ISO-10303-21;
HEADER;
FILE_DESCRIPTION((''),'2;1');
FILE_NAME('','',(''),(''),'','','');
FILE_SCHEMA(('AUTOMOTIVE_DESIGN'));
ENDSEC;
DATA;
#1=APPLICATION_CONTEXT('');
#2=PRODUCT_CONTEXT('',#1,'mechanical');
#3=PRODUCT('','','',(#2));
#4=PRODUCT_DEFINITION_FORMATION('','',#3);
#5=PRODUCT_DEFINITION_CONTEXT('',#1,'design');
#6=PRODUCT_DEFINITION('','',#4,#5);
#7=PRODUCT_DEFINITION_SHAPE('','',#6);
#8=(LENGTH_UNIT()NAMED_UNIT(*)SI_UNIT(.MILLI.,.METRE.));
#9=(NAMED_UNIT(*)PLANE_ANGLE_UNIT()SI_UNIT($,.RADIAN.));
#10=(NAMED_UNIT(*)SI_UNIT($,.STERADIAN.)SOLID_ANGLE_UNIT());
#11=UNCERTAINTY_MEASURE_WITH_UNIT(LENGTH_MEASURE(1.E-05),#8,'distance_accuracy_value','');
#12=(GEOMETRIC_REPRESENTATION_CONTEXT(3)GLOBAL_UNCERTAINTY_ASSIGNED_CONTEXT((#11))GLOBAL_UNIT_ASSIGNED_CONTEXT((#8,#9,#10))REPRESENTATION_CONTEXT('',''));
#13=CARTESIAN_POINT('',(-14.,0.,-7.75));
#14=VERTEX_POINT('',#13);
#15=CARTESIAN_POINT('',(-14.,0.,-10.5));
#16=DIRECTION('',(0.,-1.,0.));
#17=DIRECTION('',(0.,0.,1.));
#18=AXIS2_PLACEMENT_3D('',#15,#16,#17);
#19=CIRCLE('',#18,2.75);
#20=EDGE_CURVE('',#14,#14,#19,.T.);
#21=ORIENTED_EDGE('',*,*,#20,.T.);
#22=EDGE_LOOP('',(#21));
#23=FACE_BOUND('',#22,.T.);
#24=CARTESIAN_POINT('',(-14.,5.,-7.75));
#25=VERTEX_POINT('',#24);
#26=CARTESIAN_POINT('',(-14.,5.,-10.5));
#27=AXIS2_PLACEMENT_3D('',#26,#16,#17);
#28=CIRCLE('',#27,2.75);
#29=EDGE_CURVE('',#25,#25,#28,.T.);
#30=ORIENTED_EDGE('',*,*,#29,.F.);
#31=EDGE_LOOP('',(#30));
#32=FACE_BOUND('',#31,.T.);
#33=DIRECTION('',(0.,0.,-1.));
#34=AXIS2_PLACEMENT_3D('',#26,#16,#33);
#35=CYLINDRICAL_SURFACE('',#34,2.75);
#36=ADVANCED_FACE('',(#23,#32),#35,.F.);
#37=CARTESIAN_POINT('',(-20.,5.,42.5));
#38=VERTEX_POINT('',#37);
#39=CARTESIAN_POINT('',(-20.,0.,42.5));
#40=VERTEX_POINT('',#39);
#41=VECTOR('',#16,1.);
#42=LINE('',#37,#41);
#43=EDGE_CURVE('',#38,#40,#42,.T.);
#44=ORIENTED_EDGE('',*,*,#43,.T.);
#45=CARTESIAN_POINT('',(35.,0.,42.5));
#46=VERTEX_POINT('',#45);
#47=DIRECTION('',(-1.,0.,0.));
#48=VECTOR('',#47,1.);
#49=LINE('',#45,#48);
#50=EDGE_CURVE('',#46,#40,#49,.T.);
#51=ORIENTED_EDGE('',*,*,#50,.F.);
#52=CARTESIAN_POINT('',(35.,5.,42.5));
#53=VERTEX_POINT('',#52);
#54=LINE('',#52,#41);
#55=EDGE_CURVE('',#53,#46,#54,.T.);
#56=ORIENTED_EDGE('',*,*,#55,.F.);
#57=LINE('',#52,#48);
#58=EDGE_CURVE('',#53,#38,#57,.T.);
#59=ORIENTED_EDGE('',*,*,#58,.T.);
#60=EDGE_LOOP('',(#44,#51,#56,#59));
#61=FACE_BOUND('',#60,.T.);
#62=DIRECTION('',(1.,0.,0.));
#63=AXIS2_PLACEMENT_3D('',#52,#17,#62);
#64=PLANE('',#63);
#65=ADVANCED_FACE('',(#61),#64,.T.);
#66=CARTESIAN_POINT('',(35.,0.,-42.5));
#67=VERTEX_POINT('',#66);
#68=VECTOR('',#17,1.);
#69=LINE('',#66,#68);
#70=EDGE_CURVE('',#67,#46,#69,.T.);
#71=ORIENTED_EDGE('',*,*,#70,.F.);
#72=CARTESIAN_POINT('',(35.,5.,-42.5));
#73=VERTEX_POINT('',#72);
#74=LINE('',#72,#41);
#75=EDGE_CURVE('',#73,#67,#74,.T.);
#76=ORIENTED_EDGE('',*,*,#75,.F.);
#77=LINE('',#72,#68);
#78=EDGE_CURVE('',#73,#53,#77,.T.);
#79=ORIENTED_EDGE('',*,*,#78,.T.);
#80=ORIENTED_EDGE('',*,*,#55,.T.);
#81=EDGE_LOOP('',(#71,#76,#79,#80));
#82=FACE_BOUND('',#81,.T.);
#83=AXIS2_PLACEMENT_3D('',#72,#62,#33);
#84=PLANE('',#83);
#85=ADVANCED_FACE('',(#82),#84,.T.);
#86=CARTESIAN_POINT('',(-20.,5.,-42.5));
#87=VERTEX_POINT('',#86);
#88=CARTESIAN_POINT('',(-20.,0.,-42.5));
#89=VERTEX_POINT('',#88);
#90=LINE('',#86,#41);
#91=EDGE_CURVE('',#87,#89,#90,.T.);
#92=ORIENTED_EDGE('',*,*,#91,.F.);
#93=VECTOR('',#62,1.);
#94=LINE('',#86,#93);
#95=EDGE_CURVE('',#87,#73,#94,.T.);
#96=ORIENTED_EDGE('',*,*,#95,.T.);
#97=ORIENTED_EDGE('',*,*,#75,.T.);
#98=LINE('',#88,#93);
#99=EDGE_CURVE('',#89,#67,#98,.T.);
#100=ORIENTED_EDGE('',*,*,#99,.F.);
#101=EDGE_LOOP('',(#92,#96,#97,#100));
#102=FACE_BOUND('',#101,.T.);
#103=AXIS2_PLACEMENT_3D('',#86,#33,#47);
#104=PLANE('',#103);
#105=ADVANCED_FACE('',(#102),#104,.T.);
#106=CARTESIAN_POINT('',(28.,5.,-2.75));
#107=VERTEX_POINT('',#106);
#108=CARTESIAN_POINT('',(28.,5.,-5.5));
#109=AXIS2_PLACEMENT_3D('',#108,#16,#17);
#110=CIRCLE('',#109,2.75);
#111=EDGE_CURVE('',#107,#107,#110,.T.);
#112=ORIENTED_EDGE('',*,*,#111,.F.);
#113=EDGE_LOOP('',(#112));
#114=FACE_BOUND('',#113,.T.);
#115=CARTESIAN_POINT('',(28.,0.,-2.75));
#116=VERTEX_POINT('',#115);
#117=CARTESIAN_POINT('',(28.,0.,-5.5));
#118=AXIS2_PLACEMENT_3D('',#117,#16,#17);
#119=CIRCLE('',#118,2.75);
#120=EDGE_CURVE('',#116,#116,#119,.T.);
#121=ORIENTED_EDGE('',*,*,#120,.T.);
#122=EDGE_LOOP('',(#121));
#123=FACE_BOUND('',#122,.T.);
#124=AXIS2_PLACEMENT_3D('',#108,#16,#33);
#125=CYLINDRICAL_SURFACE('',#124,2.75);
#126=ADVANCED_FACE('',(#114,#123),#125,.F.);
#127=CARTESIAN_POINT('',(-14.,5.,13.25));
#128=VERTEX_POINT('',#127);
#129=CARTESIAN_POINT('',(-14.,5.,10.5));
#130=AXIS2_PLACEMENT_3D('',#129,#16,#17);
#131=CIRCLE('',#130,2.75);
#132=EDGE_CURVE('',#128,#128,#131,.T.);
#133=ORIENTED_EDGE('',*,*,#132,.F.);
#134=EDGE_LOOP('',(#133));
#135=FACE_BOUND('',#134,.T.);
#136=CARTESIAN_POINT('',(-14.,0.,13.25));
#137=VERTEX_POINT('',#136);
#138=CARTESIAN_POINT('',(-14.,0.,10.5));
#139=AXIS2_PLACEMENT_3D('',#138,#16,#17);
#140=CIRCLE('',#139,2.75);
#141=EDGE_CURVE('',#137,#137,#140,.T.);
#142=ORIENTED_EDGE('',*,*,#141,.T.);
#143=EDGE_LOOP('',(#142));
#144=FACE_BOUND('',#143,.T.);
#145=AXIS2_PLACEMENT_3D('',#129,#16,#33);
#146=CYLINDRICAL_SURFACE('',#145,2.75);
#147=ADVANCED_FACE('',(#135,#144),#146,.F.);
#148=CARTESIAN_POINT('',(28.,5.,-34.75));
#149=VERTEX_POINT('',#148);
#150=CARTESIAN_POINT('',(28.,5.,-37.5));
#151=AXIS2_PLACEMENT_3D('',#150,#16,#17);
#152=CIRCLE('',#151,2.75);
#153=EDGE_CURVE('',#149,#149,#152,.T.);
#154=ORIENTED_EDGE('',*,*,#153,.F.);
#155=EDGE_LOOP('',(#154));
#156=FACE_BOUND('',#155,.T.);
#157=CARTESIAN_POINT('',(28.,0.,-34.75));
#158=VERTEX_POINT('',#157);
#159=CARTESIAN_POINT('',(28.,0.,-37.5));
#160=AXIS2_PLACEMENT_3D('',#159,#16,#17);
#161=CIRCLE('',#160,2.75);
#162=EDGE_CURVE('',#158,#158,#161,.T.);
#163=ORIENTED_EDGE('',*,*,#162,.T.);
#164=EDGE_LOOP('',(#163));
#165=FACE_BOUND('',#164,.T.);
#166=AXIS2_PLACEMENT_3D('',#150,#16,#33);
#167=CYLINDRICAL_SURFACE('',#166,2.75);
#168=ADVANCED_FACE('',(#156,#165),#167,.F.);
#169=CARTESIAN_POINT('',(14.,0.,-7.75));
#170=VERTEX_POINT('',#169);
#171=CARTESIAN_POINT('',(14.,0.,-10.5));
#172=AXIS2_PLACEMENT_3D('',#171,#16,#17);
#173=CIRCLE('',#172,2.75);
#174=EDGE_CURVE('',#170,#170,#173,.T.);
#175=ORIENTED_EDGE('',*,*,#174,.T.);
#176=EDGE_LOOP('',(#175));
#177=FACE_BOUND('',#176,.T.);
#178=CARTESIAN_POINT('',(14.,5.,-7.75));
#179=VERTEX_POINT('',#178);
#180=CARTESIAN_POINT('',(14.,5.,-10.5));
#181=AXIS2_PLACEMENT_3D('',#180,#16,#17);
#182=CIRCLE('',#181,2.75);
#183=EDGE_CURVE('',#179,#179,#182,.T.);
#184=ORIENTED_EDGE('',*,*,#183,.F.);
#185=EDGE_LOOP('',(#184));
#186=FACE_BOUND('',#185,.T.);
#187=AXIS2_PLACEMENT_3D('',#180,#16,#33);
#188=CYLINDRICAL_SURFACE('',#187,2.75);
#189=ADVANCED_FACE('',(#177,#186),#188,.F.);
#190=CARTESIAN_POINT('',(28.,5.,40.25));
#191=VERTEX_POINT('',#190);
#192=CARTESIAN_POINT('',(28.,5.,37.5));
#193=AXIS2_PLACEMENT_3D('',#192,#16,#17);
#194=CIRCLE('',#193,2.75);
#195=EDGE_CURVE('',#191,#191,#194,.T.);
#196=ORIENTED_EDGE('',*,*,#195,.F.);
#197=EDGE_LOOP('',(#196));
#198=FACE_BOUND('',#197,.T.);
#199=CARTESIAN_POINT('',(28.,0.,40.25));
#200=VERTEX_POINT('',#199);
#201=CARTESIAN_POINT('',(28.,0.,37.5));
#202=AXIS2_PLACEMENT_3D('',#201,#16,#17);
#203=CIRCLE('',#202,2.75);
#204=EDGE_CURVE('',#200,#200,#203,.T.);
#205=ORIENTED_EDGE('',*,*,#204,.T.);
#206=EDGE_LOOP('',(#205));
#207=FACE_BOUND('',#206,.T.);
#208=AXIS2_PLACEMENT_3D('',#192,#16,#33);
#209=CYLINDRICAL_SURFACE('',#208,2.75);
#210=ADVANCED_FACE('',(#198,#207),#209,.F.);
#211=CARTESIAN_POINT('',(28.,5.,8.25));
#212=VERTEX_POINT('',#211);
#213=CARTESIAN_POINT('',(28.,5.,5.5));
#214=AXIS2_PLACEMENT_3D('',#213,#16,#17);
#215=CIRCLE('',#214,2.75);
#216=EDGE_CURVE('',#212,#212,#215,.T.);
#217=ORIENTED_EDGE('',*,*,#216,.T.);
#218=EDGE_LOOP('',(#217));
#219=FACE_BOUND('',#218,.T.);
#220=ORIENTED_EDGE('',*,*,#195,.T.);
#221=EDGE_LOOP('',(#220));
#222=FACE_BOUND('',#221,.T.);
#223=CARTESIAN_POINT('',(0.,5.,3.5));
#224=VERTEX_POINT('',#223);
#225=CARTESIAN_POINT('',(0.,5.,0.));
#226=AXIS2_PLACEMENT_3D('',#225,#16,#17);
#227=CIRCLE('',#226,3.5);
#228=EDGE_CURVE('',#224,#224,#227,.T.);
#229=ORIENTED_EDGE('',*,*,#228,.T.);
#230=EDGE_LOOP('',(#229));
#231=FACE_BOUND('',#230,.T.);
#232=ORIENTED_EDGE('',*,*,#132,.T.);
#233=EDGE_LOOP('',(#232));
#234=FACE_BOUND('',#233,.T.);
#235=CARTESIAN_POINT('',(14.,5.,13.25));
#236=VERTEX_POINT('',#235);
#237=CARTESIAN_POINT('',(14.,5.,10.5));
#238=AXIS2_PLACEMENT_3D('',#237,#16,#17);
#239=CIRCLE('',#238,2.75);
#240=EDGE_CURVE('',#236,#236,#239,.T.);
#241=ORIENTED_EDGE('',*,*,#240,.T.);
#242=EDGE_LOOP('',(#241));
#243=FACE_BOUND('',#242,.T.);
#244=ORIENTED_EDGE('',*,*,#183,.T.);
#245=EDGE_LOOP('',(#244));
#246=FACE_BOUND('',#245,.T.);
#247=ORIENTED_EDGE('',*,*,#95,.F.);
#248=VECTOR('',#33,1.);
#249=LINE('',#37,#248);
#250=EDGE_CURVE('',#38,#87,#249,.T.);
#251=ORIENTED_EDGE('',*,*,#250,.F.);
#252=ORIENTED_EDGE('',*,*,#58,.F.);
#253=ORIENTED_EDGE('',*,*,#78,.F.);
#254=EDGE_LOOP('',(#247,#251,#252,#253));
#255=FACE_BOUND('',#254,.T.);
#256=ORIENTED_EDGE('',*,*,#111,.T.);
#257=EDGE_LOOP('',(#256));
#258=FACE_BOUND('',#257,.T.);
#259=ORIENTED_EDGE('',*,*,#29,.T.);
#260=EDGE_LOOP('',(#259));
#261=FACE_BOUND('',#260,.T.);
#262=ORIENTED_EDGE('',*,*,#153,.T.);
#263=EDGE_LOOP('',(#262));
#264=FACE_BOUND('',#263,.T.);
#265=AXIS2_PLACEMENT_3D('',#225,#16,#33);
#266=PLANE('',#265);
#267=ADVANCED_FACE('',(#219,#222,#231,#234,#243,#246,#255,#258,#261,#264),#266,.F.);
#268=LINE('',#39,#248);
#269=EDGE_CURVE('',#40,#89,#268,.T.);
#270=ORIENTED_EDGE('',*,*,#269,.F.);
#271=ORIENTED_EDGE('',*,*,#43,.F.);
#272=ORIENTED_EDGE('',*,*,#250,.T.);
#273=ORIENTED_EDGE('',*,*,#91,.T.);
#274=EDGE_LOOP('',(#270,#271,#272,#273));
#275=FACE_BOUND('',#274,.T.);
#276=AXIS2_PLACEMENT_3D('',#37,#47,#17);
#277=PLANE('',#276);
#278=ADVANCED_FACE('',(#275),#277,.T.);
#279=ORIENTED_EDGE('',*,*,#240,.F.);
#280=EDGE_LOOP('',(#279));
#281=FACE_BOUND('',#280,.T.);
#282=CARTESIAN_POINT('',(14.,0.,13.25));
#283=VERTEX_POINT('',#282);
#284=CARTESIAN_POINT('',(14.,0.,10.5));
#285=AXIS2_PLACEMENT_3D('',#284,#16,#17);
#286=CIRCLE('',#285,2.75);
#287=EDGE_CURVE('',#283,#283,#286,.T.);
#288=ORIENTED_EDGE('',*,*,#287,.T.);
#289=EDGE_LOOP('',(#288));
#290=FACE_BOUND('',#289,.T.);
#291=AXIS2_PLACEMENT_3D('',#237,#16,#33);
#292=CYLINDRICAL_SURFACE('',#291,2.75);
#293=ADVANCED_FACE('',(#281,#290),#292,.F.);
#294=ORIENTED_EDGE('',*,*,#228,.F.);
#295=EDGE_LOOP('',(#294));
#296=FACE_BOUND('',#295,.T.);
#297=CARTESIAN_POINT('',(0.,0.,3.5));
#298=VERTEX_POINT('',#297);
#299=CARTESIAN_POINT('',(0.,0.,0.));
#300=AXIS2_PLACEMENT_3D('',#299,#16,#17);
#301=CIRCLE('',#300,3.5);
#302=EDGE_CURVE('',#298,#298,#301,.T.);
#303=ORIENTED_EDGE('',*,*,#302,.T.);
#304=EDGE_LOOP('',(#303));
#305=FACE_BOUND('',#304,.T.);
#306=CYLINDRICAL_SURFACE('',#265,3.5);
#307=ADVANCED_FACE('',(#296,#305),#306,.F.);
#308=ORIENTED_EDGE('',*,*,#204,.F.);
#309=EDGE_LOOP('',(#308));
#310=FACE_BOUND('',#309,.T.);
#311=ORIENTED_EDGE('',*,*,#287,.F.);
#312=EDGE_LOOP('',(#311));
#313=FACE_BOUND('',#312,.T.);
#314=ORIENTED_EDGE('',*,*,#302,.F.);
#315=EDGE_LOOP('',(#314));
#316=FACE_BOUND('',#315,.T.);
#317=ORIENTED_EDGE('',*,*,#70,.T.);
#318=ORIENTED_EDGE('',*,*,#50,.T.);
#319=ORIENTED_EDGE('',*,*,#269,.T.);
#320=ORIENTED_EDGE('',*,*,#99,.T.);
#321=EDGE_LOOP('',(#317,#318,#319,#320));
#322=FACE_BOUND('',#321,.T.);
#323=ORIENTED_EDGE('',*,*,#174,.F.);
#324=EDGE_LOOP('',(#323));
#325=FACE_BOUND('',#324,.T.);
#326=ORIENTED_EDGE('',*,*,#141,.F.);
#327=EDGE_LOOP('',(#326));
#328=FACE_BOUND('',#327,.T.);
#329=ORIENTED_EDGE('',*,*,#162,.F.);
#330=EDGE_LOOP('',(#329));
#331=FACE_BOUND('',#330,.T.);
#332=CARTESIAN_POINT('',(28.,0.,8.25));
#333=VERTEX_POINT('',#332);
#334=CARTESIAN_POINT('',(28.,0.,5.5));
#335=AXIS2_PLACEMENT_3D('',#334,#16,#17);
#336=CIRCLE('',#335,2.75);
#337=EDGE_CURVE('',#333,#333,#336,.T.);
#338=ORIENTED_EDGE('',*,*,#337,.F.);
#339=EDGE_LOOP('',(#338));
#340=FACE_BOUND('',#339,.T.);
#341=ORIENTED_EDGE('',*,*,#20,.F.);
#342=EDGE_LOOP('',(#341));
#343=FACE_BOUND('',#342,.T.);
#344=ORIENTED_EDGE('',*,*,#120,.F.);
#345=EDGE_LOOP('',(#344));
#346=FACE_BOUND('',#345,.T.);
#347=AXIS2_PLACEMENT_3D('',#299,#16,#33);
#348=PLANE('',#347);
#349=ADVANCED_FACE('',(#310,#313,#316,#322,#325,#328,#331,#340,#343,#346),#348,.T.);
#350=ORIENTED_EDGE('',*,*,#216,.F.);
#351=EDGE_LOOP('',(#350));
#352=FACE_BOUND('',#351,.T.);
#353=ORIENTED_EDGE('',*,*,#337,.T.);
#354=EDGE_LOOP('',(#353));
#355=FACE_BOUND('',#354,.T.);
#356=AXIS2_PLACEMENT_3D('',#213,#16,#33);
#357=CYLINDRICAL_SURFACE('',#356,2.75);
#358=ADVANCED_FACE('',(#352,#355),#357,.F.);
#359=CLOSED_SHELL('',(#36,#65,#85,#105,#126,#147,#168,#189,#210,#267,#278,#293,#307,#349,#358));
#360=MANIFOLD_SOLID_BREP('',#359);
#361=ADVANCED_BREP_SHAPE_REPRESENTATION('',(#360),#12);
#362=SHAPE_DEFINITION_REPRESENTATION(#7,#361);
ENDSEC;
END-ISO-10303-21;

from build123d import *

# Parameters (mm, degrees)
SKETCH1_W           = 55
SKETCH1_H           = 85
SKETCH1_R           = 2.75
SKETCH1_R_2         = 3.5
BOSS_EXTRUDE1_DEPTH = 5


with BuildPart() as part:
    # Sketch1 → Boss-Extrude1 (new body)
    with BuildSketch(Plane.XZ):
        with Locations((7.5, 0)):
            Rectangle(SKETCH1_W, SKETCH1_H)
        with Locations(Location((14, 10.5, 0), (0, 0, 90))):
            Circle(SKETCH1_R, mode=Mode.SUBTRACT)
        with Locations(Location((-14, 10.5, 0), (0, 0, 90))):
            Circle(SKETCH1_R, mode=Mode.SUBTRACT)
        with Locations(Location((-14, -10.5, 0), (0, 0, 90))):
            Circle(SKETCH1_R, mode=Mode.SUBTRACT)
        with Locations(Location((14, -10.5, 0), (0, 0, 90))):
            Circle(SKETCH1_R, mode=Mode.SUBTRACT)
        with Locations(Location((28, 37.5, 0), (0, 0, 90))):
            Circle(SKETCH1_R, mode=Mode.SUBTRACT)
        with Locations(Location((28, 5.5, 0), (0, 0, 90))):
            Circle(SKETCH1_R, mode=Mode.SUBTRACT)
        with Locations(Location((28, -5.5, 0), (0, 0, 90))):
            Circle(SKETCH1_R, mode=Mode.SUBTRACT)
        with Locations(Location((28, -37.5, 0), (0, 0, 90))):
            Circle(SKETCH1_R, mode=Mode.SUBTRACT)
        with Locations(Location((0, 0, 0), (0, 0, 90))):
            Circle(SKETCH1_R_2, mode=Mode.SUBTRACT)
    extrude(amount=-BOSS_EXTRUDE1_DEPTH)


solid = part.part
